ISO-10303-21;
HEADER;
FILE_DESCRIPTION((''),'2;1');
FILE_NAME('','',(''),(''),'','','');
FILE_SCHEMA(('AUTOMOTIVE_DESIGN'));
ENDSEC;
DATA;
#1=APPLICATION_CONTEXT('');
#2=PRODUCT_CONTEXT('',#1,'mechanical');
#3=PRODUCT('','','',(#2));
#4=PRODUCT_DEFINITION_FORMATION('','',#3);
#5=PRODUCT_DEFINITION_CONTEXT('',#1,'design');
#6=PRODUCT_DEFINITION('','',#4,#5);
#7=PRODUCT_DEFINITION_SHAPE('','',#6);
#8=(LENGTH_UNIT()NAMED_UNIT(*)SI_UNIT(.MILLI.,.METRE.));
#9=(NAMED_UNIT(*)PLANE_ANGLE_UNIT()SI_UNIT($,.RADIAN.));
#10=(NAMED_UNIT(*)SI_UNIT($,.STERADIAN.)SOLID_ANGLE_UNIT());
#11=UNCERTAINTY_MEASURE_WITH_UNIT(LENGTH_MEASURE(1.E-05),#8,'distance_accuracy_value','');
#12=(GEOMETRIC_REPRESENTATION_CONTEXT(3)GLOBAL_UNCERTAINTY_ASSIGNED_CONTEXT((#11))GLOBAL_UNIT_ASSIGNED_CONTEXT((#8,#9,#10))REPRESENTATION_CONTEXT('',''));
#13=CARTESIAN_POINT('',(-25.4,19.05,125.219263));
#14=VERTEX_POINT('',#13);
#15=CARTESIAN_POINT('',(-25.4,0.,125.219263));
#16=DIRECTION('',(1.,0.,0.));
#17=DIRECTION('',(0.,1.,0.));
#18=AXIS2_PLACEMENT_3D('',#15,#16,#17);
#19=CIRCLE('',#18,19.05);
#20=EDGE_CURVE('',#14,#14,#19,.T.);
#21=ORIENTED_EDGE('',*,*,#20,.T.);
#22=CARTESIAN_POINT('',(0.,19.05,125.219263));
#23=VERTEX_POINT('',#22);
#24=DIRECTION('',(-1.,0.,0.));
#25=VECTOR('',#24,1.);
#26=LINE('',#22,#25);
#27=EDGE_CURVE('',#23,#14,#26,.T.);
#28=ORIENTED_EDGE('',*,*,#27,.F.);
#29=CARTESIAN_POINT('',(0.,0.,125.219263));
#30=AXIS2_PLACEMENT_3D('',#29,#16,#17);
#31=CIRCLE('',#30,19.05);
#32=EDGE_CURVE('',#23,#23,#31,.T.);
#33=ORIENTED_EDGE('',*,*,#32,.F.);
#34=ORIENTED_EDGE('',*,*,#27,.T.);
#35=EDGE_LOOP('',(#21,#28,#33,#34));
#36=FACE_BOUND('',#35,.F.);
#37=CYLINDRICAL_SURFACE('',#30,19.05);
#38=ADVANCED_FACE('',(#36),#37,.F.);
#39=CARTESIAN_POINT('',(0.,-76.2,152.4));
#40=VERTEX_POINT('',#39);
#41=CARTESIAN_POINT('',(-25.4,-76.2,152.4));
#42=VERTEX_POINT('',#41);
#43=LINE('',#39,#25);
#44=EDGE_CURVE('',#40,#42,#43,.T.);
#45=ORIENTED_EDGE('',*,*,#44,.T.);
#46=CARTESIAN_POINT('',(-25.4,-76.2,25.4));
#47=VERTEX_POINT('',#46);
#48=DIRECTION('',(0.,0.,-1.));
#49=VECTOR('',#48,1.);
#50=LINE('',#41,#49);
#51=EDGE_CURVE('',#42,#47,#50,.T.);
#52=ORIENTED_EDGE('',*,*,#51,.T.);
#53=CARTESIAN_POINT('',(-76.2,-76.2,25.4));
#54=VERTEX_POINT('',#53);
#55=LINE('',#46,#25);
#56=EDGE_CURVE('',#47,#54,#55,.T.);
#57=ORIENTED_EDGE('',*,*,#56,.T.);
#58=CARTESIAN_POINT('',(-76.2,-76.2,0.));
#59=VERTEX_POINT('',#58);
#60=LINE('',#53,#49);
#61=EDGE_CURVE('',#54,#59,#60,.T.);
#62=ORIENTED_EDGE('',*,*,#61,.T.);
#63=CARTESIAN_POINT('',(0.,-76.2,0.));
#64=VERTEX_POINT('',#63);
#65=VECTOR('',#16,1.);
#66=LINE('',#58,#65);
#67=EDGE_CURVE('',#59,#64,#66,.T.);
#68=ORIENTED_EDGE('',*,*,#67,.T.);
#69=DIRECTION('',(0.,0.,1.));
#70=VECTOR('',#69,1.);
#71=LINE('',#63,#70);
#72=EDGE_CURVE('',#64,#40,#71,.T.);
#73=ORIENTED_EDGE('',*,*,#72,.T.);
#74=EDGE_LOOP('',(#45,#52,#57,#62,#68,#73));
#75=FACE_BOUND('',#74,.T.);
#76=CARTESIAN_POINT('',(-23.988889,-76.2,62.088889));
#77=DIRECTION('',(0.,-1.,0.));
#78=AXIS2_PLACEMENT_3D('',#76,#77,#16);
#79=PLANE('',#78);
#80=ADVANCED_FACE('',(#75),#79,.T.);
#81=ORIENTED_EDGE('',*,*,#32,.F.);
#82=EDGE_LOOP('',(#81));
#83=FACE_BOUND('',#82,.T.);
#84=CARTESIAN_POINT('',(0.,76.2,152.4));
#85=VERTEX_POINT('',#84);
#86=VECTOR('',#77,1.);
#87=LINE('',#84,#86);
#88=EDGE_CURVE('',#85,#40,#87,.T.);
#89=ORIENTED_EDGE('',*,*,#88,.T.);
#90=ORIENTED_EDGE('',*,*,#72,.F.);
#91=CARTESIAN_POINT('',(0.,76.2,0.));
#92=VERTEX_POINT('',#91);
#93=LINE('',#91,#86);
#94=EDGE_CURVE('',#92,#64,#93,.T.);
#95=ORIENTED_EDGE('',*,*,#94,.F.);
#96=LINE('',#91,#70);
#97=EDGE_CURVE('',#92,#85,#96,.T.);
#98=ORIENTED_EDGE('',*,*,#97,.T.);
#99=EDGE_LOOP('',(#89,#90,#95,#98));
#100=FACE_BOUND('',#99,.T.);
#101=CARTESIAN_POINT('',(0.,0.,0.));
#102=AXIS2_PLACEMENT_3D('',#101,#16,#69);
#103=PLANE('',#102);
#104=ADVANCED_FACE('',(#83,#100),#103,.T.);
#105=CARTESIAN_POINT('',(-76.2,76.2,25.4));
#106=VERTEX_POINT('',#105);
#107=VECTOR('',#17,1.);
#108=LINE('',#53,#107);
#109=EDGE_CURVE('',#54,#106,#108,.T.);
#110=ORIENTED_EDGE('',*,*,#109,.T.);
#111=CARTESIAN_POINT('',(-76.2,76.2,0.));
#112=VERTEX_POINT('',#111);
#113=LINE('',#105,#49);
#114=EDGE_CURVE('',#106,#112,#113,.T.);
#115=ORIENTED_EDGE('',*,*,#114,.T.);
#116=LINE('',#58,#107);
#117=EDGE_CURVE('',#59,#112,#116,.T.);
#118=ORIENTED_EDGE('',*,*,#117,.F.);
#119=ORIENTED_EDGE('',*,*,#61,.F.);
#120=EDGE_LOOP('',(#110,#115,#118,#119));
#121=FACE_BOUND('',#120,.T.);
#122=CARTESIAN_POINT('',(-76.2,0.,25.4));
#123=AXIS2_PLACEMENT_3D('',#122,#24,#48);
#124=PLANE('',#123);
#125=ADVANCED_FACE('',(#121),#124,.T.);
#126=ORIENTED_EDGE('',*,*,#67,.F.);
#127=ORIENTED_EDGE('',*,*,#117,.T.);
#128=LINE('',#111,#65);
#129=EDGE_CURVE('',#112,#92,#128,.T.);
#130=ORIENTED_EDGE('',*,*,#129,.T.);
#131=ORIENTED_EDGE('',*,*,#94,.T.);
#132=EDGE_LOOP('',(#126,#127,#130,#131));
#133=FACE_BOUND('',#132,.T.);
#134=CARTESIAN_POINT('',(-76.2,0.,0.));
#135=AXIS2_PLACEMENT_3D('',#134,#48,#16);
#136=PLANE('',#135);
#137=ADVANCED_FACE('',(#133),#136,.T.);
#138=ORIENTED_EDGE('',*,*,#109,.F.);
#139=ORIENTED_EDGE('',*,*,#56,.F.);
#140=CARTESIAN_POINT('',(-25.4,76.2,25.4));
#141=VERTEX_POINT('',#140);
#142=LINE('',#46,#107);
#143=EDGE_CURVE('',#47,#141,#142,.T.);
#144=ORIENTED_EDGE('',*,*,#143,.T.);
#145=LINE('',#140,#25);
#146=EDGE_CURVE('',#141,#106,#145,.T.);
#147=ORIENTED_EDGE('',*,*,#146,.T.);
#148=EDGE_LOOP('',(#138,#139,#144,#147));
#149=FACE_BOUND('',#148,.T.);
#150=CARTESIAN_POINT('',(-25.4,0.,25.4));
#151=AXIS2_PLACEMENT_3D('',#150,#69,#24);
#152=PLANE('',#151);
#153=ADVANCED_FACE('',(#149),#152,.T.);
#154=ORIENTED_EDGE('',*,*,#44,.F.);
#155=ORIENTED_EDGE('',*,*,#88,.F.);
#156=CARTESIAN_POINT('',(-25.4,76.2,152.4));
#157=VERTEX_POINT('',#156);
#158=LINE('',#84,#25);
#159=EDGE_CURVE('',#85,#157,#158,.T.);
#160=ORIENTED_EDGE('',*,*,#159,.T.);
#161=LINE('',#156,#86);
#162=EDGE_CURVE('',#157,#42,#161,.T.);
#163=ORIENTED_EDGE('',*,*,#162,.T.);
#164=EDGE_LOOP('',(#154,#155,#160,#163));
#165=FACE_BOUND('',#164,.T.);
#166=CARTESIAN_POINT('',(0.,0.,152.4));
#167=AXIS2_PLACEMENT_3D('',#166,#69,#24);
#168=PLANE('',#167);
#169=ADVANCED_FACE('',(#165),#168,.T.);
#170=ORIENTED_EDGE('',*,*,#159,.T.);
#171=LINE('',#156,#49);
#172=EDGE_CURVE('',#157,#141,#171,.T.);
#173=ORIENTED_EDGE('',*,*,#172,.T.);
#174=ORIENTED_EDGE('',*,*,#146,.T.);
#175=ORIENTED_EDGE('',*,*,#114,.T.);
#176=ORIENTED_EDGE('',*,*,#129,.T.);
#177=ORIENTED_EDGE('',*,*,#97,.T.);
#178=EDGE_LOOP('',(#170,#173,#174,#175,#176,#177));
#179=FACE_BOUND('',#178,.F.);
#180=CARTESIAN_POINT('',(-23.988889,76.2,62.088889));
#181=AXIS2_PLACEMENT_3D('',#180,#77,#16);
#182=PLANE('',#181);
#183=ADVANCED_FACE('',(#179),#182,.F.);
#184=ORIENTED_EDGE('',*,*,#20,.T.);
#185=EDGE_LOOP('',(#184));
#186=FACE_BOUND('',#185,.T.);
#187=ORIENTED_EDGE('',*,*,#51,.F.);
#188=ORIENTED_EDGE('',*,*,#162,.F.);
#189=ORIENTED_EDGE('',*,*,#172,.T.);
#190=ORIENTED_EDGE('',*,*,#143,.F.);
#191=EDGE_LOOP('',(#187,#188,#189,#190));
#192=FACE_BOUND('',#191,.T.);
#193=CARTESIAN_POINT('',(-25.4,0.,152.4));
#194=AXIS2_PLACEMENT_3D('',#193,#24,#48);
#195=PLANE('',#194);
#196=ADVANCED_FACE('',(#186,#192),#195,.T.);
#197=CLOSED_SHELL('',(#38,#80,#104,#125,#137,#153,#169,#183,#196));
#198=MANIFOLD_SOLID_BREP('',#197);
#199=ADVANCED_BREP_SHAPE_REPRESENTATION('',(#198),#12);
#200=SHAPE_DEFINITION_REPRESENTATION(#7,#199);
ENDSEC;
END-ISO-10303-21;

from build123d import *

# Parameters (mm, degrees)
F1_DEPTH = 76.2
F2_R     = 19.05
F3_DEPTH = 76.201


with BuildPart() as f1:
    # F0 (on Front) → F1 (new body, symmetric)
    with BuildSketch(Plane.XZ):
        Polygon((-76.2, 0), (0, 0), (0, 152.4), (-25.4, 152.4), (-25.4, 25.4), (-76.2, 25.4), align=None)
    extrude(amount=F1_DEPTH, both=True)

    # F2 (on face) → F3 (cut, through all)
    with BuildSketch(Plane.YZ):
        with Locations((0, 125.219263)):
            Circle(F2_R)
    extrude(amount=-F3_DEPTH, mode=Mode.SUBTRACT)


solid = f1.part
